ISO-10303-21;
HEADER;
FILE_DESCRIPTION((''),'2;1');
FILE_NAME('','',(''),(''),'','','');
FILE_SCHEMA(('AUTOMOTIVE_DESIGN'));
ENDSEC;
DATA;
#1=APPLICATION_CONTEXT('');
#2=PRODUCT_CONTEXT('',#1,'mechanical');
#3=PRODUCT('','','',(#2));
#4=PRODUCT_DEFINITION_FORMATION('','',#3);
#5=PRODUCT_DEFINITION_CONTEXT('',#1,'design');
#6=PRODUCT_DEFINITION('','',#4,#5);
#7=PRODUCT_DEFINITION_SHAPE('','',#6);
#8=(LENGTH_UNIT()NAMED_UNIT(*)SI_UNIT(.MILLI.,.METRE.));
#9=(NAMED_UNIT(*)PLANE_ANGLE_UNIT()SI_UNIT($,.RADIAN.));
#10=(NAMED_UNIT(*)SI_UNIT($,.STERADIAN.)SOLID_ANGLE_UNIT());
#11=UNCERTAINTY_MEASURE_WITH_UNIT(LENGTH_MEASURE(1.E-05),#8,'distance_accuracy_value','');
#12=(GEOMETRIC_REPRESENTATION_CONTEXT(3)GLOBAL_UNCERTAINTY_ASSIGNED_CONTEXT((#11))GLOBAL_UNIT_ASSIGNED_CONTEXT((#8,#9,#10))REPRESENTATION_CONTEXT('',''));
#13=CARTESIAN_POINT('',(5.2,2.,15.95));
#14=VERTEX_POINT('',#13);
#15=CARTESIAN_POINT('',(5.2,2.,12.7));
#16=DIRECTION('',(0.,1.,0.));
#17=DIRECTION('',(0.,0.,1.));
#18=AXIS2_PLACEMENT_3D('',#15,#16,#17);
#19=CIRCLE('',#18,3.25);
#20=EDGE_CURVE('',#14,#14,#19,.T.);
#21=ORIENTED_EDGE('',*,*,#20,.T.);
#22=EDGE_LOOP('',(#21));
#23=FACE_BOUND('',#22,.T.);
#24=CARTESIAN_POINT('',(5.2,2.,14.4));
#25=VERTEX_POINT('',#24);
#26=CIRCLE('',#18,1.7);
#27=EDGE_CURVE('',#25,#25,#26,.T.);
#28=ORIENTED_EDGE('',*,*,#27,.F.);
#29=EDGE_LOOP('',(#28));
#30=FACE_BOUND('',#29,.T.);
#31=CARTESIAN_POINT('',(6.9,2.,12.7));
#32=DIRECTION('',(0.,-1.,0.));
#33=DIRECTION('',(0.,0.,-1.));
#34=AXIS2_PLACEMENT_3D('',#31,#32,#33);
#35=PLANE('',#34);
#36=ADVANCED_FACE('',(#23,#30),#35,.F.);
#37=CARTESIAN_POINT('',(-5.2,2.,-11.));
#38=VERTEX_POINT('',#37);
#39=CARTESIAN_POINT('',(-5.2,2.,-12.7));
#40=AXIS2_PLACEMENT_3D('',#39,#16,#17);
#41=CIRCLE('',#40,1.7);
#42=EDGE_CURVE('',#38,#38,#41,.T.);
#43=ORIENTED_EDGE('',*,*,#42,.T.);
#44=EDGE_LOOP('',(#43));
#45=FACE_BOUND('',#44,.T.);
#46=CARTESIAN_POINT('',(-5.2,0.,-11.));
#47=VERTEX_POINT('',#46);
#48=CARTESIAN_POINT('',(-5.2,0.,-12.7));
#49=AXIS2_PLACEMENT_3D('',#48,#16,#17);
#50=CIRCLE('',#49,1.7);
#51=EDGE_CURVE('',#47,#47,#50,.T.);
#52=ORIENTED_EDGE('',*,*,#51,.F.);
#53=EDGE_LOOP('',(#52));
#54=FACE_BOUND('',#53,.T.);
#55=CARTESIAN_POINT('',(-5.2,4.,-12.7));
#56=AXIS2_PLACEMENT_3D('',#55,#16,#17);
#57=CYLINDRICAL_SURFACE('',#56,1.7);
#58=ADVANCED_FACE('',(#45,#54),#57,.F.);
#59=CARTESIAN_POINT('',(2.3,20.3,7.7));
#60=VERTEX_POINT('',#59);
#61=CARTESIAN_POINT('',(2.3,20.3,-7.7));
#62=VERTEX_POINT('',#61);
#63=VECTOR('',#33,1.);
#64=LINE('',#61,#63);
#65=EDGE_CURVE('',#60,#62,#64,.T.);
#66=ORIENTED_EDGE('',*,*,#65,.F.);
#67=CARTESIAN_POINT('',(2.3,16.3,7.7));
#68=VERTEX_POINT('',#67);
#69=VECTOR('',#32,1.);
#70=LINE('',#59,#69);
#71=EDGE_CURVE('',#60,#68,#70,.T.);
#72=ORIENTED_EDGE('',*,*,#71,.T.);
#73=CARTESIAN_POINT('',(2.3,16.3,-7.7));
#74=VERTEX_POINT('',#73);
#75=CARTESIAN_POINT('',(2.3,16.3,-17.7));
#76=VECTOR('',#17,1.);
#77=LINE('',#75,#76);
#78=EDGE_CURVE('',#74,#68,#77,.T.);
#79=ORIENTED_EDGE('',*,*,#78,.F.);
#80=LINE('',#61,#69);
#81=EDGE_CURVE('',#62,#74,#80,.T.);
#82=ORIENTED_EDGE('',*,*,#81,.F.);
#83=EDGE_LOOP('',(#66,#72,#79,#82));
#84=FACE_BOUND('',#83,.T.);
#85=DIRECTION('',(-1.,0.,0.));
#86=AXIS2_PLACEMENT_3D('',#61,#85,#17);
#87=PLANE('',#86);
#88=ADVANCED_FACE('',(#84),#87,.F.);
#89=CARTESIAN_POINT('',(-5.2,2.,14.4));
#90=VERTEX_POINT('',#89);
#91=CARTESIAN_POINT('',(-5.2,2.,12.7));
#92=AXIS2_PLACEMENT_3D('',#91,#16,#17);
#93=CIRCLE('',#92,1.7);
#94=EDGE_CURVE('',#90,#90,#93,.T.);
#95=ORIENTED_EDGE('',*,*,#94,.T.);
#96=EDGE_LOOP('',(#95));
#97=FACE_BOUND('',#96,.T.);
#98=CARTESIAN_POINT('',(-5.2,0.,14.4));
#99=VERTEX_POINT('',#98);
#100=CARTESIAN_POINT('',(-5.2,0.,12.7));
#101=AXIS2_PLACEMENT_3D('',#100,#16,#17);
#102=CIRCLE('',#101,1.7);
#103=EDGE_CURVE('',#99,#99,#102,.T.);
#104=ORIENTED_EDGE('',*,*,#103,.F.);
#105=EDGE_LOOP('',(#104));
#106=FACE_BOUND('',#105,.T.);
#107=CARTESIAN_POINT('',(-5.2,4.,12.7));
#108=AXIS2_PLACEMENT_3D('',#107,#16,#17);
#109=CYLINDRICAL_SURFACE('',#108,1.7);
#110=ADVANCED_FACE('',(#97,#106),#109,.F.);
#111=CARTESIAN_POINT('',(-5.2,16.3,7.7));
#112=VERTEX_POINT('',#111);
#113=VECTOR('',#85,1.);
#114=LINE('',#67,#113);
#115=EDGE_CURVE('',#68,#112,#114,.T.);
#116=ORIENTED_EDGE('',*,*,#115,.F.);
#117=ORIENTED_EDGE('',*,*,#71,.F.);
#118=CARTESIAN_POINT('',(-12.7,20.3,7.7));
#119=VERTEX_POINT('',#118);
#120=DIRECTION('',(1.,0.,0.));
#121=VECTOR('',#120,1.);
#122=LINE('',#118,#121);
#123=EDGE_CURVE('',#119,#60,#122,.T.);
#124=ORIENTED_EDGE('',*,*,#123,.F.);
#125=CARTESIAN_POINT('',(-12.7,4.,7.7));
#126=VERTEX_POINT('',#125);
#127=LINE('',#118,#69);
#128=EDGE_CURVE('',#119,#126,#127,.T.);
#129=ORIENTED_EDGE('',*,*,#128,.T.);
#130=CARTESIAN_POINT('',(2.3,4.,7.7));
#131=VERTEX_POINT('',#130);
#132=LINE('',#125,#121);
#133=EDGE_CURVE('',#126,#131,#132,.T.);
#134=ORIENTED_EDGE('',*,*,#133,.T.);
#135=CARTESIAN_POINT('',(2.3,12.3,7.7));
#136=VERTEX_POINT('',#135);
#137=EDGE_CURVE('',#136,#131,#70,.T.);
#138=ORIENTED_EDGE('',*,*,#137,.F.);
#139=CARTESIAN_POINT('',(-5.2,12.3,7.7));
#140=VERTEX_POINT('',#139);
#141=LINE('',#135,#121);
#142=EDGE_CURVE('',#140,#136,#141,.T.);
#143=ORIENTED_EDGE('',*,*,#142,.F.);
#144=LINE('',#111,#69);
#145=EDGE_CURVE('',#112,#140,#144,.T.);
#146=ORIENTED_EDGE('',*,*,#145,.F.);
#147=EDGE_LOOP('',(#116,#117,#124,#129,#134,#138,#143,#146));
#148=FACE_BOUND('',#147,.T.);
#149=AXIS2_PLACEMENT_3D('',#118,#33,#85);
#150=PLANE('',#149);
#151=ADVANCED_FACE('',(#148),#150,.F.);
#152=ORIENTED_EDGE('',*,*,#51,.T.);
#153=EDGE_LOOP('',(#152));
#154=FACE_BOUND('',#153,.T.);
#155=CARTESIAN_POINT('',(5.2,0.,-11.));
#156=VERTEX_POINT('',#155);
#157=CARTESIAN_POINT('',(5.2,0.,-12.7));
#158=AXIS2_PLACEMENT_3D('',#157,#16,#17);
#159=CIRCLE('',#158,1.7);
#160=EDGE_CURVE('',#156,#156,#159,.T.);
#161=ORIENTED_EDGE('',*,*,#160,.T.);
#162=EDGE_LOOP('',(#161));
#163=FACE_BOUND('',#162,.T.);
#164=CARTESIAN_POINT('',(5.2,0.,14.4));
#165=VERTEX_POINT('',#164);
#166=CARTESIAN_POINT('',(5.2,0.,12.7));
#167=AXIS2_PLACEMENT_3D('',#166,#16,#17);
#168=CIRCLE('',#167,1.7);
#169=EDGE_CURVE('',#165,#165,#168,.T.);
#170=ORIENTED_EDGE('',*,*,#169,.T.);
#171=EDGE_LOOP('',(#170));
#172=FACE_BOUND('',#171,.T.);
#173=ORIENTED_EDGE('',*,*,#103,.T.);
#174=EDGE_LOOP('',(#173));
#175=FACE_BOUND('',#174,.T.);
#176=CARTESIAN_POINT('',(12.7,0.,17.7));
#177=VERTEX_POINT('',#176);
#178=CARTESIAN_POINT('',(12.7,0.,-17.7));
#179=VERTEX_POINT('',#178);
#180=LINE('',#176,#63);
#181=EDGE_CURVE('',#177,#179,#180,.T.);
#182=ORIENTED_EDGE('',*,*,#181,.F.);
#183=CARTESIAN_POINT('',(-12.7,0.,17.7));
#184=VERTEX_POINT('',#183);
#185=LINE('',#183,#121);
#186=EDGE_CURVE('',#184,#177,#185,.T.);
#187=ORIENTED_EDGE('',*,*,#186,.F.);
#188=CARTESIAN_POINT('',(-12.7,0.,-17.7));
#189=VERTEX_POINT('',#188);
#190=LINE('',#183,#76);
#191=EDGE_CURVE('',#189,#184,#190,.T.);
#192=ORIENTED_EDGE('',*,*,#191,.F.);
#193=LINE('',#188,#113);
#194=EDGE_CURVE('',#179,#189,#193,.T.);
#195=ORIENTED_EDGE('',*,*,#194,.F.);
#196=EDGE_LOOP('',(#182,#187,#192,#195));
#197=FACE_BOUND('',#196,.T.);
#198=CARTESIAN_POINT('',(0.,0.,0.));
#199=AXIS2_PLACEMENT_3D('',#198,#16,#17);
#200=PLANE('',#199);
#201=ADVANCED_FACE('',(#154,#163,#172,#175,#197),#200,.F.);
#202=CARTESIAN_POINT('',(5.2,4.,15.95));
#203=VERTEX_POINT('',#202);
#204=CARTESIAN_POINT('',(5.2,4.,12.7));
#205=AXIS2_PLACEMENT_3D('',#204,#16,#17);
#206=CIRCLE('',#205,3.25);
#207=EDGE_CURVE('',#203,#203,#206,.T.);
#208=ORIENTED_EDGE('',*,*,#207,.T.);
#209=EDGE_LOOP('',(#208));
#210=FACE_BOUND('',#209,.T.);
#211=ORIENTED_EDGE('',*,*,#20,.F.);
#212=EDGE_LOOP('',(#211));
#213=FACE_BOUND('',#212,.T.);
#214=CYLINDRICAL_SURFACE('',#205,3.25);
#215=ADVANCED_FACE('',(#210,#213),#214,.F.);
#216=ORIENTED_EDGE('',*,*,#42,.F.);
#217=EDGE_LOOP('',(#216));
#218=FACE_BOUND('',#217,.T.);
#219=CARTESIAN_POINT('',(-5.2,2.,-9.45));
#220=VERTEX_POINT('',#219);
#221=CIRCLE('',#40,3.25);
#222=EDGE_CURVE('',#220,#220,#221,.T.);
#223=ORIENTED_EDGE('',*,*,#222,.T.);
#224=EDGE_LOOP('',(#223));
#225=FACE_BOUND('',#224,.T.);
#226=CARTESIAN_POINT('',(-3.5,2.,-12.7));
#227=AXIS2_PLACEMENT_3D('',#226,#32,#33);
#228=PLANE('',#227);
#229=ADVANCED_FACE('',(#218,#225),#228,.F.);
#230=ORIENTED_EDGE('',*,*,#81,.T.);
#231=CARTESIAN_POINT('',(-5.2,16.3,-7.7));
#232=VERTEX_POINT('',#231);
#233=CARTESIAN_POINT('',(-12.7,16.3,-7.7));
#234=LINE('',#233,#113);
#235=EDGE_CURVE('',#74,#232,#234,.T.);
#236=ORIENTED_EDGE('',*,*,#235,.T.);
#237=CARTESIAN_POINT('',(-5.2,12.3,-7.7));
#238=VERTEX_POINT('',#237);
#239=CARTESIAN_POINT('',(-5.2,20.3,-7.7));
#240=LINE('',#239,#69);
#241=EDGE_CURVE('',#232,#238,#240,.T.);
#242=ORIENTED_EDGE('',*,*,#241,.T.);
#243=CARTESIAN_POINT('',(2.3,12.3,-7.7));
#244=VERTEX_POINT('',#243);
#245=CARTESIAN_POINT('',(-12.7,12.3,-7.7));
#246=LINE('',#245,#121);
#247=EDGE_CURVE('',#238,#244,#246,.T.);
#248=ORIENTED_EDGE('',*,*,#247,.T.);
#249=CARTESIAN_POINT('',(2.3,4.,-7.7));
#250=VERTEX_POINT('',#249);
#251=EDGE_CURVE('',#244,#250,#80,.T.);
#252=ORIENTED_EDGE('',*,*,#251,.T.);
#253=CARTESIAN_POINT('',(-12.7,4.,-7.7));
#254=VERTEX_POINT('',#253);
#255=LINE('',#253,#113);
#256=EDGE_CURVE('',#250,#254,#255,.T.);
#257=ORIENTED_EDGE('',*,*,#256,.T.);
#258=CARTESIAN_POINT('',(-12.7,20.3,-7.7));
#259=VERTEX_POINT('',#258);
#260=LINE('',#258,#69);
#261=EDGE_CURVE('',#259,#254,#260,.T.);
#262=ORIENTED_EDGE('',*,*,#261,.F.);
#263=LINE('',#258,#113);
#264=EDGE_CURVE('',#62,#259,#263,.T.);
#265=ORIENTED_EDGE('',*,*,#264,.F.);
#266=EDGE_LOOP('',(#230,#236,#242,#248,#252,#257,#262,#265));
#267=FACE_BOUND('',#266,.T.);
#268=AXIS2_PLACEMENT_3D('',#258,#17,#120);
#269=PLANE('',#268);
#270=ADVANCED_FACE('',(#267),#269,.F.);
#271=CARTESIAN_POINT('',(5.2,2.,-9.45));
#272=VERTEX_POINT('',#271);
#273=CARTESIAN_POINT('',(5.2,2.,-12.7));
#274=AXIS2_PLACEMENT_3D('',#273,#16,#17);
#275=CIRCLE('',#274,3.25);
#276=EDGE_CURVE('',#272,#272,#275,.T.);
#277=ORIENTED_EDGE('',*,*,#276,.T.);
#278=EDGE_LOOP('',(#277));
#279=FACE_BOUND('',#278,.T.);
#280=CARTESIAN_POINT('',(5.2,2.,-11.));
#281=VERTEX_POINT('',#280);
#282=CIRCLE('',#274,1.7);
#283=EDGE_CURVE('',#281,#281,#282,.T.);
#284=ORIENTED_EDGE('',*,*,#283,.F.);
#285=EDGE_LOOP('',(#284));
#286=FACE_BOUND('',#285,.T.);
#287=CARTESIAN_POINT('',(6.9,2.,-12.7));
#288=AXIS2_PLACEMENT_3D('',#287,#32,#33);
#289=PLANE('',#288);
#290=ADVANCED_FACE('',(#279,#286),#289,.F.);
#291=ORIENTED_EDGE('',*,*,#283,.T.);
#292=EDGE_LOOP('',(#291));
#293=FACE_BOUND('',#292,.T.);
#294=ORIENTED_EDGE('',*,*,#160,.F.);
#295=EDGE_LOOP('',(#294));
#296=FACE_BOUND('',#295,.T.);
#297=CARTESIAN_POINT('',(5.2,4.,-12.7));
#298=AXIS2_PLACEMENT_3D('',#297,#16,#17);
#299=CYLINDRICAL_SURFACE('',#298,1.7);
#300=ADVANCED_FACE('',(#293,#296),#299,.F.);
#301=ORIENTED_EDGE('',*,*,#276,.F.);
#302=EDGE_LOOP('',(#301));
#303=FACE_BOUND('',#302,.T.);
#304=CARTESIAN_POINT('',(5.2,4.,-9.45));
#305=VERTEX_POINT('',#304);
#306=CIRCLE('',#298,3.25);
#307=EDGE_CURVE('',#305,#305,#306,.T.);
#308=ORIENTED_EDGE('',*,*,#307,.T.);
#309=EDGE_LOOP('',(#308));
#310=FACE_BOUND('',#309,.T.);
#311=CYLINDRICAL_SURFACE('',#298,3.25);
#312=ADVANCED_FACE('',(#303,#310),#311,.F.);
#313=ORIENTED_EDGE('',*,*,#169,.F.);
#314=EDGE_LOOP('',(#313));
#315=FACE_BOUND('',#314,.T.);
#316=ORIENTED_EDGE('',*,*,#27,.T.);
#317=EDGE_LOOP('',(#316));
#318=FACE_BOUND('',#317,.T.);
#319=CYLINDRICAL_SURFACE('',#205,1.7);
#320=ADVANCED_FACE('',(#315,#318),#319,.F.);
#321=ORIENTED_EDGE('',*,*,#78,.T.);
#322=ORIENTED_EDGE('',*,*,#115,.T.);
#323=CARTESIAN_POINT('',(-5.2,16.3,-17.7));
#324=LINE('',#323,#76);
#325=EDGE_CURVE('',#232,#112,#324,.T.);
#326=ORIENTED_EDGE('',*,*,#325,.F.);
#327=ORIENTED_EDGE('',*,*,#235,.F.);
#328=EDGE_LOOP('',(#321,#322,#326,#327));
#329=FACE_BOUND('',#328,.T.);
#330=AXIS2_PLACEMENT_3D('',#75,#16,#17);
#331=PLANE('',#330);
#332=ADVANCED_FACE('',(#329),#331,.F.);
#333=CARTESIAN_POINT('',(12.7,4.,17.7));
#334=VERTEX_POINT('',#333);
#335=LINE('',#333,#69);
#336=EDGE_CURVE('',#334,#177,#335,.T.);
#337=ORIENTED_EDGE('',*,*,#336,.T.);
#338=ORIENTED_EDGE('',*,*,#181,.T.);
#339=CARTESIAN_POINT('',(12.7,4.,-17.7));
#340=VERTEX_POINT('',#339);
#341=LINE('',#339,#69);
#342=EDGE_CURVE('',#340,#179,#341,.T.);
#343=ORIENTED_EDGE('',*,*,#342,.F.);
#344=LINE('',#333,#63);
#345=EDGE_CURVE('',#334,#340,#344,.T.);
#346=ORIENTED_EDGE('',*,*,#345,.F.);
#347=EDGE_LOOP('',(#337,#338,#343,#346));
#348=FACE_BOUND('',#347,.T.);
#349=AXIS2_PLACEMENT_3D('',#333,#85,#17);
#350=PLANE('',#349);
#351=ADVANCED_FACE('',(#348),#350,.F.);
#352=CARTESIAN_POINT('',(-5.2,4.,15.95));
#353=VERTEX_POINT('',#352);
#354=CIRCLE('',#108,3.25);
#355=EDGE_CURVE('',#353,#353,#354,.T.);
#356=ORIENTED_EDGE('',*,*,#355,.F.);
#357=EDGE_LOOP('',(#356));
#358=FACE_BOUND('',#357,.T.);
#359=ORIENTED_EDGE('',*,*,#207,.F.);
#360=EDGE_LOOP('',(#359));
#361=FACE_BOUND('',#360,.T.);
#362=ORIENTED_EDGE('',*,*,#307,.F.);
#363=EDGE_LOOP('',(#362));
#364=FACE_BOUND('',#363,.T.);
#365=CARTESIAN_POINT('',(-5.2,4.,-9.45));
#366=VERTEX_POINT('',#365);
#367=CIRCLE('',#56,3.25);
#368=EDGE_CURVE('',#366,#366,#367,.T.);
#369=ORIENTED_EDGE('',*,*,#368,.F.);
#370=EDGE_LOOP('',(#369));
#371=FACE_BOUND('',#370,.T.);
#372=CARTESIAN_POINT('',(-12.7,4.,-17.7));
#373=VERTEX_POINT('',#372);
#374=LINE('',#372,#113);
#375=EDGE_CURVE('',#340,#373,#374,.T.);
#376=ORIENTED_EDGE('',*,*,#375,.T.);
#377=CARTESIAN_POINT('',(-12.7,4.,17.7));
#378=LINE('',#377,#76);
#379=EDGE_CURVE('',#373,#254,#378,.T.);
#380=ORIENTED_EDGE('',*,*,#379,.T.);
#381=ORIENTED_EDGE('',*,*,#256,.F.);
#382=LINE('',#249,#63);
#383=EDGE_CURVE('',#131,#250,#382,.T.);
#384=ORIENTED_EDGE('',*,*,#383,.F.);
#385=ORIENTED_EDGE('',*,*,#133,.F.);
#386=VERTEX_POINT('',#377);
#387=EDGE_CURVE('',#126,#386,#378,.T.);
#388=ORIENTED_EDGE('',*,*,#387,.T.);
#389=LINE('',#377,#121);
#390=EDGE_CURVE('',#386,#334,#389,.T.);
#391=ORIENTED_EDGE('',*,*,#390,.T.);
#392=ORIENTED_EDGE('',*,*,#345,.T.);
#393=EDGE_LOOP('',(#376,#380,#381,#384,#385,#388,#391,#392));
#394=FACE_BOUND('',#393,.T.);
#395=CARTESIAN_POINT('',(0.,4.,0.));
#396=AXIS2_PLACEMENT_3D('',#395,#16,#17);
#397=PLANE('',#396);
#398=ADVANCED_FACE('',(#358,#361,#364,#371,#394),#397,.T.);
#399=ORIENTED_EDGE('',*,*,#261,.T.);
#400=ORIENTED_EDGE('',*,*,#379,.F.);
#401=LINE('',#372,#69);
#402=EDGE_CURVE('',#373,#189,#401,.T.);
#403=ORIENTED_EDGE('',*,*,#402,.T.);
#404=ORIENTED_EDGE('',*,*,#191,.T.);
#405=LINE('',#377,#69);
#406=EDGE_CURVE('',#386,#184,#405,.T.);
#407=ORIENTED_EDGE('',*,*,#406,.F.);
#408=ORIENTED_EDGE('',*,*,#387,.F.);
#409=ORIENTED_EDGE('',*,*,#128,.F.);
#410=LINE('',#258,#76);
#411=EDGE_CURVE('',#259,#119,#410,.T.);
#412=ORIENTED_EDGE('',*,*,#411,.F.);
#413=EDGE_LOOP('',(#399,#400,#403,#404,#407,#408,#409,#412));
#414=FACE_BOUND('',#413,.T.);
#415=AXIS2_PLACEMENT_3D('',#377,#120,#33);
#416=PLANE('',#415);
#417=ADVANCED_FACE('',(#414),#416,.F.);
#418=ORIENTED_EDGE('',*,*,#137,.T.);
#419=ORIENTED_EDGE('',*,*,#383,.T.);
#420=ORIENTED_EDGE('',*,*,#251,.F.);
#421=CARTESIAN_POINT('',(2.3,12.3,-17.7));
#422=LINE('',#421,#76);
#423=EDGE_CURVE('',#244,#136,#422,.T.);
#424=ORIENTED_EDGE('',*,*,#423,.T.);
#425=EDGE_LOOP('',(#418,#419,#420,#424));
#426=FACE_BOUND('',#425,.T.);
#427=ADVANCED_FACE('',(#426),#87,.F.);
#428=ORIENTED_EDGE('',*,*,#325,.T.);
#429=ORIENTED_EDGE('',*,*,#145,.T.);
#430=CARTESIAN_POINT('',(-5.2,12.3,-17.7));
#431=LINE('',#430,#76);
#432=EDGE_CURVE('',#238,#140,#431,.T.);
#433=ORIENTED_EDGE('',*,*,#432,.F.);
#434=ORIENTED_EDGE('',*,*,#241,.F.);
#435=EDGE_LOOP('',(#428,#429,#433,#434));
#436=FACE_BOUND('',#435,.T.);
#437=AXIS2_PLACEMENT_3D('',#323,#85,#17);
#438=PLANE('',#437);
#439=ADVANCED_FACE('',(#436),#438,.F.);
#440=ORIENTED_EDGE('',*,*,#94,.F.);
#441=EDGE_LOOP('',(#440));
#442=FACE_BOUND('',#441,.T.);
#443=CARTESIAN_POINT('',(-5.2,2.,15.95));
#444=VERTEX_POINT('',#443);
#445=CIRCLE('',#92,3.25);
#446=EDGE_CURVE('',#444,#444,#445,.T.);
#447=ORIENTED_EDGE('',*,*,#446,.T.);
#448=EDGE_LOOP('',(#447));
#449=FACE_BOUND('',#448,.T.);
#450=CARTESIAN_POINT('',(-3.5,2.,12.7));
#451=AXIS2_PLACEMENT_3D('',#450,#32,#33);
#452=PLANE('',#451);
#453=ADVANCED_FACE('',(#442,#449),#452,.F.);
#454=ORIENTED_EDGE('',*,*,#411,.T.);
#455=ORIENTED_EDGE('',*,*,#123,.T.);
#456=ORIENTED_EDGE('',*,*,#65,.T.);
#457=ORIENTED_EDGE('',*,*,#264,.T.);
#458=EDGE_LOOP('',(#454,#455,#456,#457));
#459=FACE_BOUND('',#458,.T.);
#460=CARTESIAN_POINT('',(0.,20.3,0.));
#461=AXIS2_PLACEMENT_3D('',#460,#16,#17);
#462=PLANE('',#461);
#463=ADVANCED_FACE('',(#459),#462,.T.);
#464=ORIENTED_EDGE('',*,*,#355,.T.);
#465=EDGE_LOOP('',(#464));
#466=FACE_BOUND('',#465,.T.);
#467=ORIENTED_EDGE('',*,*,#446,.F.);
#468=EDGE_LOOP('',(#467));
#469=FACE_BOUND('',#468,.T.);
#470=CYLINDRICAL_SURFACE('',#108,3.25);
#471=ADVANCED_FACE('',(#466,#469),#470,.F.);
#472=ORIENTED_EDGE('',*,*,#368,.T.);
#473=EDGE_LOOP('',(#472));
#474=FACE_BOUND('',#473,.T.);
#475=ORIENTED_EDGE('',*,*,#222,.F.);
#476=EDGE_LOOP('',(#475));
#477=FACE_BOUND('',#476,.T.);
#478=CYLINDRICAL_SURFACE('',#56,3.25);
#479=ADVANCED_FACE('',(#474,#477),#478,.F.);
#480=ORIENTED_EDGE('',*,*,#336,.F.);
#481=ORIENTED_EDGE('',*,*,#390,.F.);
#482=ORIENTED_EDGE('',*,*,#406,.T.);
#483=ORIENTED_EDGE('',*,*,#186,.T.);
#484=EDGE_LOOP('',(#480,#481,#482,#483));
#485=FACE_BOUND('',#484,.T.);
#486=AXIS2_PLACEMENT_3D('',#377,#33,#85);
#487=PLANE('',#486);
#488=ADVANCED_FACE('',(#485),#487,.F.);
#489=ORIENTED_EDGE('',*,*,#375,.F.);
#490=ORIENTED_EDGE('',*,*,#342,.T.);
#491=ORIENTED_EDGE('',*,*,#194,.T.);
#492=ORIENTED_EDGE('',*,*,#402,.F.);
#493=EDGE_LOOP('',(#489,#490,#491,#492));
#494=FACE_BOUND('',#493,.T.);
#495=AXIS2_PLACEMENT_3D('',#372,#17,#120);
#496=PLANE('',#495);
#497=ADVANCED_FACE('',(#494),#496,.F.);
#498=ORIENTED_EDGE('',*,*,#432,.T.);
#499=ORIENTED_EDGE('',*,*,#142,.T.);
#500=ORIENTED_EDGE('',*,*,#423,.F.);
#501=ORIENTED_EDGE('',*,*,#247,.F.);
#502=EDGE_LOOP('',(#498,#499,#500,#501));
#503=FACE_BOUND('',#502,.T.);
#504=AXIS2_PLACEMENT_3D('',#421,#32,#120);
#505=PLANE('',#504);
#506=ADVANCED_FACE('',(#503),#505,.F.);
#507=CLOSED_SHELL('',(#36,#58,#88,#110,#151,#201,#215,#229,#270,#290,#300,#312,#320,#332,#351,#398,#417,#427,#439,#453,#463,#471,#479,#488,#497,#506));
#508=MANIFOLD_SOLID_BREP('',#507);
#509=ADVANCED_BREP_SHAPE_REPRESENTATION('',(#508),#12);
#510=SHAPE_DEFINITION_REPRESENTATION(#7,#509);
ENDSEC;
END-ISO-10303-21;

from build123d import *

# Parameters (mm, degrees)
CROQUIS1_W                                           = 10.4
CROQUIS1_H                                           = 20.4
SALIENTE_EXTRUIR1_DEPTH                              = 4
CROQUIS2_W                                           = 25.4
CROQUIS2_H                                           = 35.4
SALIENTE_EXTRUIR2_DEPTH                              = 4
CROQUIS3_W                                           = 15
CROQUIS3_H                                           = 15.4
SALIENTE_EXTRUIR3_DEPTH                              = 16.3
CROQUIS4_W                                           = 7.5
CROQUIS4_H                                           = 4
CORTAR_EXTRUIR1_DEPTH                                = 35.907592297
REFRENTADO_PARA_TORNILLO_CON_CABEZA_PLAN_D           = 3.4
REFRENTADO_PARA_TORNILLO_CON_CABEZA_PLAN_CBORE_D     = 6.5
REFRENTADO_PARA_TORNILLO_CON_CABEZA_PLAN_CBORE_DEPTH = 2


with BuildPart() as part:
    # Croquis1 → Saliente-Extruir1 (new body)
    with BuildSketch(Plane(origin=(0, 0, 0), x_dir=(1, 0, 0), z_dir=(0, 1, 0))):
        Rectangle(CROQUIS1_W, CROQUIS1_H)
    extrude(amount=SALIENTE_EXTRUIR1_DEPTH)

    # Croquis2 → Saliente-Extruir2 (add)
    with BuildSketch(Plane(origin=(0, 0, 0), x_dir=(1, 0, 0), z_dir=(0, 1, 0))):
        Rectangle(CROQUIS2_W, CROQUIS2_H)
    extrude(amount=SALIENTE_EXTRUIR2_DEPTH)

    # Croquis3 → Saliente-Extruir3 (add)
    with BuildSketch(Plane(origin=(0, 4, 0), x_dir=(1, 0, 0), z_dir=(0, 1, 0))):
        with Locations((-5.2, 0)):
            Rectangle(CROQUIS3_W, CROQUIS3_H)
    extrude(amount=SALIENTE_EXTRUIR3_DEPTH)

    # Croquis4 → Cortar-Extruir1 (cut, through all)
    with BuildSketch(Plane.XY.offset(7.7)):
        with Locations((-1.45, 14.3)):
            Rectangle(CROQUIS4_W, CROQUIS4_H)
    extrude(amount=-CORTAR_EXTRUIR1_DEPTH, mode=Mode.SUBTRACT)

    # Refrentado para tornillo con cabeza plana de M32 (through all)
    with Locations(Plane(origin=(0, 4, 0), x_dir=(1, 0, 0), z_dir=(0, 1, 0))):
        with Locations((-5.2, 12.7), (-5.2, -12.7), (5.2, -12.7), (5.2, 12.7)):
            CounterBoreHole(REFRENTADO_PARA_TORNILLO_CON_CABEZA_PLAN_D / 2, REFRENTADO_PARA_TORNILLO_CON_CABEZA_PLAN_CBORE_D / 2, REFRENTADO_PARA_TORNILLO_CON_CABEZA_PLAN_CBORE_DEPTH)


solid = part.part
